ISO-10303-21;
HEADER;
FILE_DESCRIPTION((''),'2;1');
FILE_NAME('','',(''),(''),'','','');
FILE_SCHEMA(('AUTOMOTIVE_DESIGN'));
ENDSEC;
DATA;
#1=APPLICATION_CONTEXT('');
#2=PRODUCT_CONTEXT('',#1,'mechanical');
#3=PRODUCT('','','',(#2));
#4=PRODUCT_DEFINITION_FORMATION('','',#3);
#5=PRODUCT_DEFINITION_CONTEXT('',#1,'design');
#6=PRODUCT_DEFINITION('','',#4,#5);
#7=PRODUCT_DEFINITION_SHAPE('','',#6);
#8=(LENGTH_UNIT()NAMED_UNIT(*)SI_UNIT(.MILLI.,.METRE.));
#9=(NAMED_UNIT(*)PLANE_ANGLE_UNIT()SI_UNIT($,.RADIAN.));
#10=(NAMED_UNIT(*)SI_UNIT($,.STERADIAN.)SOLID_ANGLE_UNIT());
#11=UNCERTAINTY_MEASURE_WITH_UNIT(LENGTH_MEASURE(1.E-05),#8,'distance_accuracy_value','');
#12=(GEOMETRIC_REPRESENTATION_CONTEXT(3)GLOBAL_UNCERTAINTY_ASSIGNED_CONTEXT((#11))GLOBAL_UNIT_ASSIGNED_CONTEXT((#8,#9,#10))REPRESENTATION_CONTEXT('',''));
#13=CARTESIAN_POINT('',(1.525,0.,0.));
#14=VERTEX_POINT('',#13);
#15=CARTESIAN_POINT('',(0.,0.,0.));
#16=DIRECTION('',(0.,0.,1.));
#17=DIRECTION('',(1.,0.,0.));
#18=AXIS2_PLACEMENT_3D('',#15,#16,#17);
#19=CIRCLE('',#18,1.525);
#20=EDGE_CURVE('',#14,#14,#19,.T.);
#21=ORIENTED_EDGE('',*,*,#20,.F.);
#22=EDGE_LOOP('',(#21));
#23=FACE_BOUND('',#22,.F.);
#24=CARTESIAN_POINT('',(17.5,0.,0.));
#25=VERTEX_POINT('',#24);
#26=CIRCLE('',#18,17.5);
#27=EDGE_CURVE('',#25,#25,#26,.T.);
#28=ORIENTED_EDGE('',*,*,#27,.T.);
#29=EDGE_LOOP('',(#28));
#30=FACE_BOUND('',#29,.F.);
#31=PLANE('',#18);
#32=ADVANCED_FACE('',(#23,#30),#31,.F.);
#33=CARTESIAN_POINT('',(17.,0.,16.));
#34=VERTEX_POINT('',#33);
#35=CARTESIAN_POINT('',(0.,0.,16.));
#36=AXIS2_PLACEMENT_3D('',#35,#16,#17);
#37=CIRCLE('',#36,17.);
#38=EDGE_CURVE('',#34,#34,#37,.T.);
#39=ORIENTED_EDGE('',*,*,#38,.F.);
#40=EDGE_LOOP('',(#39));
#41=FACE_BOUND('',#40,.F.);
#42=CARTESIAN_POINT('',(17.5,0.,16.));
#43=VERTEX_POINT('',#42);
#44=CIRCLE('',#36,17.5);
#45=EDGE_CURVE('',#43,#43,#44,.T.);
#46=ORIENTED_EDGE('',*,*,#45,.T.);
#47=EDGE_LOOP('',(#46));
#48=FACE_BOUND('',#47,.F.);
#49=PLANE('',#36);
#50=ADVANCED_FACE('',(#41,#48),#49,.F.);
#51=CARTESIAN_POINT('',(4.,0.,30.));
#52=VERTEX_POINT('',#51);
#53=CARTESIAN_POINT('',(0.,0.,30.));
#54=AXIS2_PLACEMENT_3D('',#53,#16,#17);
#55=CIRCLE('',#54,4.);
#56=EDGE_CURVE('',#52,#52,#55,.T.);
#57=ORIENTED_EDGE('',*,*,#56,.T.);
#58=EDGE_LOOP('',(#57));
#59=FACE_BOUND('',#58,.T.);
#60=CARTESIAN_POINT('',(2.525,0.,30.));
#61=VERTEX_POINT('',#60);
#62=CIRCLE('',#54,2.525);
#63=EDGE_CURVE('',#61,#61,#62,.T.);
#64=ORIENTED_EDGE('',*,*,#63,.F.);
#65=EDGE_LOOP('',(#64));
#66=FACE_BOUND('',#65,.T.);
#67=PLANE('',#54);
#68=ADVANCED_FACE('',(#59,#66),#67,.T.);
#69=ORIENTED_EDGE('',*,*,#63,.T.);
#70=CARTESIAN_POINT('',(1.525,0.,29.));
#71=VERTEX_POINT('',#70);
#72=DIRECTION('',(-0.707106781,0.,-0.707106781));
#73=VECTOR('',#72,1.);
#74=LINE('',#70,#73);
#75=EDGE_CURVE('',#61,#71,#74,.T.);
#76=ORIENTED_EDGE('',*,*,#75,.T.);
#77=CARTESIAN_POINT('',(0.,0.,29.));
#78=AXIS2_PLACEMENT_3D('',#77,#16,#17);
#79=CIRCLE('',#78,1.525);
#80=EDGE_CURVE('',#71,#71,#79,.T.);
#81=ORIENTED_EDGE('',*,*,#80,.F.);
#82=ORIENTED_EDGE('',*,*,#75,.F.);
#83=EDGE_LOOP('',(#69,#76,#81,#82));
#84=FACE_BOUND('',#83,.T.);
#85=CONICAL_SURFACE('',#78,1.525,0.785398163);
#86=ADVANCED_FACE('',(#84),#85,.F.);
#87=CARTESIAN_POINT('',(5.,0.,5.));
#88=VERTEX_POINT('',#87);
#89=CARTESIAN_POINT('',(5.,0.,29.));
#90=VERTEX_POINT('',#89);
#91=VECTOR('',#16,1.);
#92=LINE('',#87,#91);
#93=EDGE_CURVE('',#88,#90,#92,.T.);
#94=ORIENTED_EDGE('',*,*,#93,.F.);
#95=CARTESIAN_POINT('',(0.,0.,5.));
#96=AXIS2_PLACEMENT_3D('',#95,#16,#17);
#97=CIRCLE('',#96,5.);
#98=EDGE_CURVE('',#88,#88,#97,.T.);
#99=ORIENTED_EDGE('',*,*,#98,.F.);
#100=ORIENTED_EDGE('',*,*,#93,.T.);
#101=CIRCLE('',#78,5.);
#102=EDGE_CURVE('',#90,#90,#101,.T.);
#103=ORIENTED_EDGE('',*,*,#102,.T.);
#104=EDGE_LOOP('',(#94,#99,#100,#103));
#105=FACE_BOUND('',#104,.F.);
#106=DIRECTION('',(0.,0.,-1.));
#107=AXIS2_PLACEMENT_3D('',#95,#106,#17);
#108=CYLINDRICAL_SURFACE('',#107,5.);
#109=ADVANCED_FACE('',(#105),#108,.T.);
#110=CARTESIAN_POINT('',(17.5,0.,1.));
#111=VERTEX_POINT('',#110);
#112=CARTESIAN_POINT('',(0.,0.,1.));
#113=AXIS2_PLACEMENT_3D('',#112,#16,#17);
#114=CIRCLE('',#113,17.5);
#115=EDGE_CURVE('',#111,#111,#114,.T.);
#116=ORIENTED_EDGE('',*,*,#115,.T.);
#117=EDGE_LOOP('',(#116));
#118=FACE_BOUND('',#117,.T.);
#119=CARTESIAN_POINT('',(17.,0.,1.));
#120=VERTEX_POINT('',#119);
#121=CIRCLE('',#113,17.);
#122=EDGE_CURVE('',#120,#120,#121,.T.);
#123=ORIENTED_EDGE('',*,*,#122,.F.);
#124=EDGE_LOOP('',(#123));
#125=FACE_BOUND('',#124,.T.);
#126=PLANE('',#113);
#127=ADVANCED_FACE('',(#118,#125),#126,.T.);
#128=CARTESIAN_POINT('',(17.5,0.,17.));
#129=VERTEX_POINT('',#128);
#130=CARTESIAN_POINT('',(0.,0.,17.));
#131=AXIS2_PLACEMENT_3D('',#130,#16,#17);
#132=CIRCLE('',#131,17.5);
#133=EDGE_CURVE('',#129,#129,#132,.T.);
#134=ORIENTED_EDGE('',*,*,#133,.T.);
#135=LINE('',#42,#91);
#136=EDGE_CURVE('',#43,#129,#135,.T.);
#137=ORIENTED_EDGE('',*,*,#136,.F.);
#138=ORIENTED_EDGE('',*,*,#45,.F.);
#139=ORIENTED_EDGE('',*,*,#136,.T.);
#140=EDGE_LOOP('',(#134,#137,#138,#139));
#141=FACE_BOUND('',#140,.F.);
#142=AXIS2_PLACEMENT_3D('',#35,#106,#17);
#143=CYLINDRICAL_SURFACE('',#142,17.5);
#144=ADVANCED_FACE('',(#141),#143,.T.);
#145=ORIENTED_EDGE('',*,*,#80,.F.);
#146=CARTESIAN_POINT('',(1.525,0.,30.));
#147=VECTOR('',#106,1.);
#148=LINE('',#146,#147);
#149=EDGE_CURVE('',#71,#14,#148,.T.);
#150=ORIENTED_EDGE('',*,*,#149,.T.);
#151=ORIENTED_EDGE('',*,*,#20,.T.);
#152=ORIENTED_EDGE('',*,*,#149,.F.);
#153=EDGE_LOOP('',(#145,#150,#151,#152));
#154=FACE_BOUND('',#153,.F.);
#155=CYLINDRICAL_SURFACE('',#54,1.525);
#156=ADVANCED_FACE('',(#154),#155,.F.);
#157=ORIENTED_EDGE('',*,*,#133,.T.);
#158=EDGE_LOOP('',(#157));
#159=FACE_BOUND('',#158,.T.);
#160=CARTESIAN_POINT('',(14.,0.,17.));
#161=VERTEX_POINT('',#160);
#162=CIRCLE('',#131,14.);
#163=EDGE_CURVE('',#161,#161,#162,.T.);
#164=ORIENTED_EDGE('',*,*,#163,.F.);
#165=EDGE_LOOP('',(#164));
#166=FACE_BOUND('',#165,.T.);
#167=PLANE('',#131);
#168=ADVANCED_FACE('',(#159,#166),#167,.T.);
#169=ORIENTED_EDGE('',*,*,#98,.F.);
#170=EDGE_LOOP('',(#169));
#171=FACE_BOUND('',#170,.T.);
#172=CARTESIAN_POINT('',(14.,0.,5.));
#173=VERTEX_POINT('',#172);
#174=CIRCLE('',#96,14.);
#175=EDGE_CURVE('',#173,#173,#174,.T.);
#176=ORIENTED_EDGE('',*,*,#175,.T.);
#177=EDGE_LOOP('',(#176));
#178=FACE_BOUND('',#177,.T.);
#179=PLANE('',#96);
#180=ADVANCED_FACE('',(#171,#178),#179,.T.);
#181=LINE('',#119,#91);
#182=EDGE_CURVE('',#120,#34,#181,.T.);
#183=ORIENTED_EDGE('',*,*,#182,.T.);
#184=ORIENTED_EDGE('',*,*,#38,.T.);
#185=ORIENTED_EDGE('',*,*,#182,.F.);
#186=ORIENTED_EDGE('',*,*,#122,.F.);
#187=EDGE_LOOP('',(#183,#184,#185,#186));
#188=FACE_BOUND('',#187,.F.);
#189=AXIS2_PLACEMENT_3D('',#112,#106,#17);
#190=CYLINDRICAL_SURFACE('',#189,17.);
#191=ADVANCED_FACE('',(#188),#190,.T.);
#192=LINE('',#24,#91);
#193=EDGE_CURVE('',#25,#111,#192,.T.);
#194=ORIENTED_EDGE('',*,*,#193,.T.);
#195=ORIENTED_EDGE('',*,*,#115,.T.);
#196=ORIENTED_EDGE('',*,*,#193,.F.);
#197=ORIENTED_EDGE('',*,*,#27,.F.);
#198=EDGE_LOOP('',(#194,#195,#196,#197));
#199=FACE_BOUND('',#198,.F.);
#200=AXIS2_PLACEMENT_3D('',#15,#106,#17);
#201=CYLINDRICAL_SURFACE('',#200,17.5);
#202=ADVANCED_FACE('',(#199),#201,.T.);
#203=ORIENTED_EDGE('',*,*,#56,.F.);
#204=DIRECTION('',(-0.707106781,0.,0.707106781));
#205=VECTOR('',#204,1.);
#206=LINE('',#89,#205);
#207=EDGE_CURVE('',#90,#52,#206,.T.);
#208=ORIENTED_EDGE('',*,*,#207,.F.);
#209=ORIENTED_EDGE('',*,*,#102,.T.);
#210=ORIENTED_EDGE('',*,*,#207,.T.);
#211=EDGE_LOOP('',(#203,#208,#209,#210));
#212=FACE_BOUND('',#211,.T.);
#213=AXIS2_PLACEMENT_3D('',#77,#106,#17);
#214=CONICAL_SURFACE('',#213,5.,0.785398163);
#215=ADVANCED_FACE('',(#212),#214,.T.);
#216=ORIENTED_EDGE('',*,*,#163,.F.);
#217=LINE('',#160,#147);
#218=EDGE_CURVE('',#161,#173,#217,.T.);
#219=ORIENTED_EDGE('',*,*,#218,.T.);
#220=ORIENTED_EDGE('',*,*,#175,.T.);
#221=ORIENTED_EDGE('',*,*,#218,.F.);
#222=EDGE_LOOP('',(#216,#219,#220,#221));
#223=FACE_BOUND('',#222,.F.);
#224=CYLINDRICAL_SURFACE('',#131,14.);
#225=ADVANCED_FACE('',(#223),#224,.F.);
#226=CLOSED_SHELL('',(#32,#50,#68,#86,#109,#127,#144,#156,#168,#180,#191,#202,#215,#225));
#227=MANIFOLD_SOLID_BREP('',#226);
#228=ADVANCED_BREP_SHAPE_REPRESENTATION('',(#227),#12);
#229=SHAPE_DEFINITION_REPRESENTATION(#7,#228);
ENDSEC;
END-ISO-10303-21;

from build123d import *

# Parameters (mm, degrees)
F0_R      = 17.5
F1_DEPTH  = 1
F2_R      = 17
F3_DEPTH  = 15
F4_R      = 17.5
F5_DEPTH  = 1
F6_R      = 14
F7_DEPTH  = 12
F8_R      = 5
F9_DEPTH  = 25
F10_R     = 1.525
F11_DEPTH = 30
F12_SIZE  = 1


with BuildPart() as f1:
    # F0 (on Top) → F1 (new body)
    with BuildSketch(Plane.XY):
        Circle(F0_R)
    extrude(amount=F1_DEPTH)

    # F2 (on face) → F3 (join)
    with BuildSketch(Plane.XY.offset(1)):
        Circle(F2_R)
    extrude(amount=F3_DEPTH)

    # F4 (on face) → F5 (join)
    with BuildSketch(Plane.XY.offset(16)):
        Circle(F4_R)
    extrude(amount=F5_DEPTH)

    # F6 (on face) → F7 (cut)
    with BuildSketch(Plane.XY.offset(17)):
        Circle(F6_R)
    extrude(amount=-F7_DEPTH, mode=Mode.SUBTRACT)

    # F8 (on face) → F9 (join)
    with BuildSketch(Plane.XY.offset(5)):
        Circle(F8_R)
    extrude(amount=F9_DEPTH)

    # F10 (on face) → F11 (cut, through all)
    with BuildSketch(Plane.XY.offset(30)):
        Circle(F10_R)
    extrude(amount=-F11_DEPTH, mode=Mode.SUBTRACT)

    # F12
    f12_edges = [f1.edges().sort_by_distance(p)[0] for p in [
        (-1.525, 0, 30),
        (-5, 0, 30),
    ]]
    chamfer(f12_edges, length=F12_SIZE)


solid = f1.part
